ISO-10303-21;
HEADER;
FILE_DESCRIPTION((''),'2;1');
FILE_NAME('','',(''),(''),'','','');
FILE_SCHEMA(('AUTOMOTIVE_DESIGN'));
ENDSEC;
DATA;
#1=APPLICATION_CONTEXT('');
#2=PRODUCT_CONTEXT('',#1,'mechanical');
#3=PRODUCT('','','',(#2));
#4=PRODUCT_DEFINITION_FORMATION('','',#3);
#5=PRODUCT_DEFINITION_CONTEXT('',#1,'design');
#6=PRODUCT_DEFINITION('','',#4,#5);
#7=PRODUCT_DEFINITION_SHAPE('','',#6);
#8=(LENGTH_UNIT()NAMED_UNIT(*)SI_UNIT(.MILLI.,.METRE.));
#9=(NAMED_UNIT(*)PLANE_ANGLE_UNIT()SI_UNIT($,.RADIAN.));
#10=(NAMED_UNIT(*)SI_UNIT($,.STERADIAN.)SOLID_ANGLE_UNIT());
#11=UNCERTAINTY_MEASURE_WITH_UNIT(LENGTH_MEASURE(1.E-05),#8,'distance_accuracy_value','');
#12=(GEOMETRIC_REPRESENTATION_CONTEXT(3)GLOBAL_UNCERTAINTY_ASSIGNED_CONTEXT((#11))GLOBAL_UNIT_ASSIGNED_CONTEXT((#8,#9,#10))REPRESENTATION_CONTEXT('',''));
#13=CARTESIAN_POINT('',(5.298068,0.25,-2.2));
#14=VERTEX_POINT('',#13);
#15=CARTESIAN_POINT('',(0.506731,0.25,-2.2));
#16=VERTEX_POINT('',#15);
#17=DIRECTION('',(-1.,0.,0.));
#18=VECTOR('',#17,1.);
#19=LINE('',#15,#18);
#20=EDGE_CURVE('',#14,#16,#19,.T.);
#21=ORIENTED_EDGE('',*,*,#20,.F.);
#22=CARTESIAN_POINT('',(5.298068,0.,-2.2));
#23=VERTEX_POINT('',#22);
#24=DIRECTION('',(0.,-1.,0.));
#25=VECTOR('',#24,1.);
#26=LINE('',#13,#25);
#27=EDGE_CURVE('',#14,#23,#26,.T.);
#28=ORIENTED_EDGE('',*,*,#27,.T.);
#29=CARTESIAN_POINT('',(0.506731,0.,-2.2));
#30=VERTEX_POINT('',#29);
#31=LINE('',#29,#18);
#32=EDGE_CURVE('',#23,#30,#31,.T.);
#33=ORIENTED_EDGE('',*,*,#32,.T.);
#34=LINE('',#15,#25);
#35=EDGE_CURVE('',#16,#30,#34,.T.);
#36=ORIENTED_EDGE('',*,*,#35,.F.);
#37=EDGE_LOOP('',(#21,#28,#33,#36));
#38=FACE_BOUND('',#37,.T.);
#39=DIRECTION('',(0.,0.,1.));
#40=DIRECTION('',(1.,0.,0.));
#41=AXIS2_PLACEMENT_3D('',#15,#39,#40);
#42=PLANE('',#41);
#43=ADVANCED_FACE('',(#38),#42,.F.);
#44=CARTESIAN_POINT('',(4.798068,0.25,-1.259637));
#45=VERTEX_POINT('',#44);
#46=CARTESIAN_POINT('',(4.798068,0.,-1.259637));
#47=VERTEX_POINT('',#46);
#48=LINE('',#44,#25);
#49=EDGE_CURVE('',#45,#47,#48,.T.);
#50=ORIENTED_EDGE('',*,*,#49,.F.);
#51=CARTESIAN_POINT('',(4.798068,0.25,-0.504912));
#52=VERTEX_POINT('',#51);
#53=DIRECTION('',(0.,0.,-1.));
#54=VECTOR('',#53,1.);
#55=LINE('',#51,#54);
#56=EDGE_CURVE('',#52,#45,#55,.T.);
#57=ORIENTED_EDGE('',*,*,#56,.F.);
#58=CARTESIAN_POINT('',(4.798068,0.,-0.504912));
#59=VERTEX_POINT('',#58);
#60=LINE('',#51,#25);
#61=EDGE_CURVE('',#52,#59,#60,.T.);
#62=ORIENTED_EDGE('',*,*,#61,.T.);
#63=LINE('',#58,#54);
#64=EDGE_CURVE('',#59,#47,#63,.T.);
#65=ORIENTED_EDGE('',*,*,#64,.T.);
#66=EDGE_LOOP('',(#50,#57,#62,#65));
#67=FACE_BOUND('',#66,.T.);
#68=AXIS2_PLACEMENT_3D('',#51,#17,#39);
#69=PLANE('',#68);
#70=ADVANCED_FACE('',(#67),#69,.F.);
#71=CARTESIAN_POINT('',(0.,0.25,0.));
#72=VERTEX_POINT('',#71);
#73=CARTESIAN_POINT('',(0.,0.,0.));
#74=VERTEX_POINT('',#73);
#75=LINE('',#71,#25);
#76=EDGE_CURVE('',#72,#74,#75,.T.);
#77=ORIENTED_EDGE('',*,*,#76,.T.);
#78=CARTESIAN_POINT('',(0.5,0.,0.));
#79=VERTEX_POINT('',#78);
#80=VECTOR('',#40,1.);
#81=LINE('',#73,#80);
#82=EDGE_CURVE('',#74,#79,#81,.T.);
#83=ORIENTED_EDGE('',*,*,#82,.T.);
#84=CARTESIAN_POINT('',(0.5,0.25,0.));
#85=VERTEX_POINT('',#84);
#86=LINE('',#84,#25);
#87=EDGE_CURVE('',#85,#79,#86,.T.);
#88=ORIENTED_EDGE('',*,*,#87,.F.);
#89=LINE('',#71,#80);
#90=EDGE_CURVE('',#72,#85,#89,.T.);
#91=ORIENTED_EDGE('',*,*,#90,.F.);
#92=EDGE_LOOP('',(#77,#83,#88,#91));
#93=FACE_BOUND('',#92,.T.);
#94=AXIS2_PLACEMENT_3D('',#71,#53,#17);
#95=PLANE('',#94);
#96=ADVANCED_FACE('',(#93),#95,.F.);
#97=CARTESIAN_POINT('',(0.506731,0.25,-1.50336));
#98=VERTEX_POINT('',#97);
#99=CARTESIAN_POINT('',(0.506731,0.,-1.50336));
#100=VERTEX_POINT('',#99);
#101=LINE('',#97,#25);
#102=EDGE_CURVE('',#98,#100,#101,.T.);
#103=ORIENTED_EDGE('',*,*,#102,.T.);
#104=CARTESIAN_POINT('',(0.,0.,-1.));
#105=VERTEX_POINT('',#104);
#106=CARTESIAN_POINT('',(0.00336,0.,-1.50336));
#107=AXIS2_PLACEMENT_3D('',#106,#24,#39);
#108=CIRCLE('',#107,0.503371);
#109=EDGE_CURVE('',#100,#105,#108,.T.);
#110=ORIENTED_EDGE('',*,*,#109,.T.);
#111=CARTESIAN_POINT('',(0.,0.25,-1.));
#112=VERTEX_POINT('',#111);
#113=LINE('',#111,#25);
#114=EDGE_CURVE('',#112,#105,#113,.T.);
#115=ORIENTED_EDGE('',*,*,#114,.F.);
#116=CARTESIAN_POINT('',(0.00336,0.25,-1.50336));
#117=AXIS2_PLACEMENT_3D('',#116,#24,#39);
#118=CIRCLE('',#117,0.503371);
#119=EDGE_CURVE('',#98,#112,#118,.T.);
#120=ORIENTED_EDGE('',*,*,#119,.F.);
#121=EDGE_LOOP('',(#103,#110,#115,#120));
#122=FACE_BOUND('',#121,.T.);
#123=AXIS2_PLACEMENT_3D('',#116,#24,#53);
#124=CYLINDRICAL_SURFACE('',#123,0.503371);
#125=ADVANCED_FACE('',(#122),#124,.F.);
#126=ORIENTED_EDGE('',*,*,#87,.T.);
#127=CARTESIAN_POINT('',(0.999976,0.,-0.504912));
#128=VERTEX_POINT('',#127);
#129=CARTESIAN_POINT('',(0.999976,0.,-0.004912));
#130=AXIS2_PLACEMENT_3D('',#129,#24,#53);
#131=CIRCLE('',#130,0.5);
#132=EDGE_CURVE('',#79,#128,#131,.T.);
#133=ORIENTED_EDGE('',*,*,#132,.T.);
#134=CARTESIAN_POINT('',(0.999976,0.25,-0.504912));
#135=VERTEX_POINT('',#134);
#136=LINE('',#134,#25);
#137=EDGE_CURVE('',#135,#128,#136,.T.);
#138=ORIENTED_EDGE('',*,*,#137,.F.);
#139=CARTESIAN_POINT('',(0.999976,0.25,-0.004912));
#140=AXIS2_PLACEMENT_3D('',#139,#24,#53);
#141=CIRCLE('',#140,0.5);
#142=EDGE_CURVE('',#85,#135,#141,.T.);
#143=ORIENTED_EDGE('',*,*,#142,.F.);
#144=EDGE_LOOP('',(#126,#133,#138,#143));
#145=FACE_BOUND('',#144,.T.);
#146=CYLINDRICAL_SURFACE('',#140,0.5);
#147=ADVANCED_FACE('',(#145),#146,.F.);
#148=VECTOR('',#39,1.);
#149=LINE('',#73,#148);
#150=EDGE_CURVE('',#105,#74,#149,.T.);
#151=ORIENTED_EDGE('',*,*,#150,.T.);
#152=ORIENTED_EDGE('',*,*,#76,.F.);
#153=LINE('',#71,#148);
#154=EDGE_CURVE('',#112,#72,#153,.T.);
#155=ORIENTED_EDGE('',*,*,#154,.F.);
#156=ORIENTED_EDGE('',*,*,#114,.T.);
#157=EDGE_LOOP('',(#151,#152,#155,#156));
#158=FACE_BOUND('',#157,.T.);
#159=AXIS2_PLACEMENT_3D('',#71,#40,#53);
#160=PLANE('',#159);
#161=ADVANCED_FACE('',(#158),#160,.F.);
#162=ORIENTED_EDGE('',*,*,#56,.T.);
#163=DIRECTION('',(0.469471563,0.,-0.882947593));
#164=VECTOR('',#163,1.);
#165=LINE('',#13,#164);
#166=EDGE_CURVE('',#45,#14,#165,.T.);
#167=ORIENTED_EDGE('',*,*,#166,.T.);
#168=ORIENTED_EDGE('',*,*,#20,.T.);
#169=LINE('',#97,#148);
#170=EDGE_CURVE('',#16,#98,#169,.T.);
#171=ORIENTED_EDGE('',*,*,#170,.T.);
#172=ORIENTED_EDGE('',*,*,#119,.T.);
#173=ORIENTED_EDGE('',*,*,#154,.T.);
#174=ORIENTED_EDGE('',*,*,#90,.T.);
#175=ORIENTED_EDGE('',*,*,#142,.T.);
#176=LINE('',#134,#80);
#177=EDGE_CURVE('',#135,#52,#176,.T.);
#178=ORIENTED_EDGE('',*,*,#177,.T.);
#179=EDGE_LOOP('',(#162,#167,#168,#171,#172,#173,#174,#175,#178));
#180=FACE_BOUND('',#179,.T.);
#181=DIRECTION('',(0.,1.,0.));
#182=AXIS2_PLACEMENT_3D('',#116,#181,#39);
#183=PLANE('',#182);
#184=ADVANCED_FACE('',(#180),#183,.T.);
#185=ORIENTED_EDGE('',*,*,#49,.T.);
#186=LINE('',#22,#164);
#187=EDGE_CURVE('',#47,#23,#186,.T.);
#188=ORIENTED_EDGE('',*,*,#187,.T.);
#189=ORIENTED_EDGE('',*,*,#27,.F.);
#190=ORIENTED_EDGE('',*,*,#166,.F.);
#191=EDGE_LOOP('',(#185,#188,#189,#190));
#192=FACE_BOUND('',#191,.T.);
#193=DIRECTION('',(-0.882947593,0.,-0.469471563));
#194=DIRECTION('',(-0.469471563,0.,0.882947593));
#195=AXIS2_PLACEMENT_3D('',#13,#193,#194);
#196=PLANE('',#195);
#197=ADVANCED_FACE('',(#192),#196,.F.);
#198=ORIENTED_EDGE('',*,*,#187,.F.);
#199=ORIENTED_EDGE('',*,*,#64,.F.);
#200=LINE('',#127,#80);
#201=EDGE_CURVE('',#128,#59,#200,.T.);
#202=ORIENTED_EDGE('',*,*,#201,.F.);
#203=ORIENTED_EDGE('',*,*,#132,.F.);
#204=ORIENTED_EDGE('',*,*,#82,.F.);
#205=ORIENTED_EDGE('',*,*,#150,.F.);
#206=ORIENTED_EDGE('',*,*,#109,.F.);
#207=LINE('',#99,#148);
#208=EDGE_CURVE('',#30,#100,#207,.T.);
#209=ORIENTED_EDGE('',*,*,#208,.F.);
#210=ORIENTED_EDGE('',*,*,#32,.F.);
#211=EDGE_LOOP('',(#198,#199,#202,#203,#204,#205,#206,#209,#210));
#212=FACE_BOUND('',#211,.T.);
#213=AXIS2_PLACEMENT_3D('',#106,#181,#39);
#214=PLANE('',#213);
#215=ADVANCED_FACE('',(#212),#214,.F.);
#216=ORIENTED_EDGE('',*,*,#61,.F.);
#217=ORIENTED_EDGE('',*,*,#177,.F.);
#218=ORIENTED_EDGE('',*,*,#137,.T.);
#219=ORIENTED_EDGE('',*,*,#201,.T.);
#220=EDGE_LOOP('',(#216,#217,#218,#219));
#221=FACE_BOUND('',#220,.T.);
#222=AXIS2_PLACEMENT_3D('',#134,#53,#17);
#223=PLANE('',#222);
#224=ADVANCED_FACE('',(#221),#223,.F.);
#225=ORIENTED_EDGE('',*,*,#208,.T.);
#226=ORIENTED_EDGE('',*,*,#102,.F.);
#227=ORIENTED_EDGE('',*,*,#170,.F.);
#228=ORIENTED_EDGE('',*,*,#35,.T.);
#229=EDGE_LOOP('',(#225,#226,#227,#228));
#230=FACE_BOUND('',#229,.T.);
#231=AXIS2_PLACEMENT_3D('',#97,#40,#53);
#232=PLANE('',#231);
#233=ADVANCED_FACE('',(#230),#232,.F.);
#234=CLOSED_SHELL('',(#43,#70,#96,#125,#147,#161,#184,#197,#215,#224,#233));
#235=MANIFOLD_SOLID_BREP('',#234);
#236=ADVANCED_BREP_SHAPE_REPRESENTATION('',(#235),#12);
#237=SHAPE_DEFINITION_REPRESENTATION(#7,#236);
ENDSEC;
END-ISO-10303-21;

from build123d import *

# Parameters (mm, degrees)
BOSS_EXTRUDE1_DEPTH = 0.25


with BuildPart() as part:
    # Sketch2 → Boss-Extrude1 (new body)
    with BuildSketch(Plane(origin=(0, 0, 0), x_dir=(1, 0, 0), z_dir=(0, 1, 0))):
        with BuildLine():
            Line((0, 0), (0.5, 0))
            ThreePointArc((0.5, 0), (0.644690069, 0.356724455), (0.999975872, 0.504912007))
            Line((0.999975872, 0.504912007), (4.798067741, 0.504912007))
            Line((4.798067741, 0.504912007), (4.798067741, 1.259636767))
            Line((4.798067741, 1.259636767), (5.298067741, 2.2))
            Line((5.298067741, 2.2), (0.506730751, 2.2))
            Line((0.506730751, 2.2), (0.506730751, 1.503359769))
            ThreePointArc((0.506730751, 1.503359769), (0.358106958, 1.146236852), (0, 1))
            Line((0, 1), (0, 0))
        make_face()
    extrude(amount=BOSS_EXTRUDE1_DEPTH)


solid = part.part
